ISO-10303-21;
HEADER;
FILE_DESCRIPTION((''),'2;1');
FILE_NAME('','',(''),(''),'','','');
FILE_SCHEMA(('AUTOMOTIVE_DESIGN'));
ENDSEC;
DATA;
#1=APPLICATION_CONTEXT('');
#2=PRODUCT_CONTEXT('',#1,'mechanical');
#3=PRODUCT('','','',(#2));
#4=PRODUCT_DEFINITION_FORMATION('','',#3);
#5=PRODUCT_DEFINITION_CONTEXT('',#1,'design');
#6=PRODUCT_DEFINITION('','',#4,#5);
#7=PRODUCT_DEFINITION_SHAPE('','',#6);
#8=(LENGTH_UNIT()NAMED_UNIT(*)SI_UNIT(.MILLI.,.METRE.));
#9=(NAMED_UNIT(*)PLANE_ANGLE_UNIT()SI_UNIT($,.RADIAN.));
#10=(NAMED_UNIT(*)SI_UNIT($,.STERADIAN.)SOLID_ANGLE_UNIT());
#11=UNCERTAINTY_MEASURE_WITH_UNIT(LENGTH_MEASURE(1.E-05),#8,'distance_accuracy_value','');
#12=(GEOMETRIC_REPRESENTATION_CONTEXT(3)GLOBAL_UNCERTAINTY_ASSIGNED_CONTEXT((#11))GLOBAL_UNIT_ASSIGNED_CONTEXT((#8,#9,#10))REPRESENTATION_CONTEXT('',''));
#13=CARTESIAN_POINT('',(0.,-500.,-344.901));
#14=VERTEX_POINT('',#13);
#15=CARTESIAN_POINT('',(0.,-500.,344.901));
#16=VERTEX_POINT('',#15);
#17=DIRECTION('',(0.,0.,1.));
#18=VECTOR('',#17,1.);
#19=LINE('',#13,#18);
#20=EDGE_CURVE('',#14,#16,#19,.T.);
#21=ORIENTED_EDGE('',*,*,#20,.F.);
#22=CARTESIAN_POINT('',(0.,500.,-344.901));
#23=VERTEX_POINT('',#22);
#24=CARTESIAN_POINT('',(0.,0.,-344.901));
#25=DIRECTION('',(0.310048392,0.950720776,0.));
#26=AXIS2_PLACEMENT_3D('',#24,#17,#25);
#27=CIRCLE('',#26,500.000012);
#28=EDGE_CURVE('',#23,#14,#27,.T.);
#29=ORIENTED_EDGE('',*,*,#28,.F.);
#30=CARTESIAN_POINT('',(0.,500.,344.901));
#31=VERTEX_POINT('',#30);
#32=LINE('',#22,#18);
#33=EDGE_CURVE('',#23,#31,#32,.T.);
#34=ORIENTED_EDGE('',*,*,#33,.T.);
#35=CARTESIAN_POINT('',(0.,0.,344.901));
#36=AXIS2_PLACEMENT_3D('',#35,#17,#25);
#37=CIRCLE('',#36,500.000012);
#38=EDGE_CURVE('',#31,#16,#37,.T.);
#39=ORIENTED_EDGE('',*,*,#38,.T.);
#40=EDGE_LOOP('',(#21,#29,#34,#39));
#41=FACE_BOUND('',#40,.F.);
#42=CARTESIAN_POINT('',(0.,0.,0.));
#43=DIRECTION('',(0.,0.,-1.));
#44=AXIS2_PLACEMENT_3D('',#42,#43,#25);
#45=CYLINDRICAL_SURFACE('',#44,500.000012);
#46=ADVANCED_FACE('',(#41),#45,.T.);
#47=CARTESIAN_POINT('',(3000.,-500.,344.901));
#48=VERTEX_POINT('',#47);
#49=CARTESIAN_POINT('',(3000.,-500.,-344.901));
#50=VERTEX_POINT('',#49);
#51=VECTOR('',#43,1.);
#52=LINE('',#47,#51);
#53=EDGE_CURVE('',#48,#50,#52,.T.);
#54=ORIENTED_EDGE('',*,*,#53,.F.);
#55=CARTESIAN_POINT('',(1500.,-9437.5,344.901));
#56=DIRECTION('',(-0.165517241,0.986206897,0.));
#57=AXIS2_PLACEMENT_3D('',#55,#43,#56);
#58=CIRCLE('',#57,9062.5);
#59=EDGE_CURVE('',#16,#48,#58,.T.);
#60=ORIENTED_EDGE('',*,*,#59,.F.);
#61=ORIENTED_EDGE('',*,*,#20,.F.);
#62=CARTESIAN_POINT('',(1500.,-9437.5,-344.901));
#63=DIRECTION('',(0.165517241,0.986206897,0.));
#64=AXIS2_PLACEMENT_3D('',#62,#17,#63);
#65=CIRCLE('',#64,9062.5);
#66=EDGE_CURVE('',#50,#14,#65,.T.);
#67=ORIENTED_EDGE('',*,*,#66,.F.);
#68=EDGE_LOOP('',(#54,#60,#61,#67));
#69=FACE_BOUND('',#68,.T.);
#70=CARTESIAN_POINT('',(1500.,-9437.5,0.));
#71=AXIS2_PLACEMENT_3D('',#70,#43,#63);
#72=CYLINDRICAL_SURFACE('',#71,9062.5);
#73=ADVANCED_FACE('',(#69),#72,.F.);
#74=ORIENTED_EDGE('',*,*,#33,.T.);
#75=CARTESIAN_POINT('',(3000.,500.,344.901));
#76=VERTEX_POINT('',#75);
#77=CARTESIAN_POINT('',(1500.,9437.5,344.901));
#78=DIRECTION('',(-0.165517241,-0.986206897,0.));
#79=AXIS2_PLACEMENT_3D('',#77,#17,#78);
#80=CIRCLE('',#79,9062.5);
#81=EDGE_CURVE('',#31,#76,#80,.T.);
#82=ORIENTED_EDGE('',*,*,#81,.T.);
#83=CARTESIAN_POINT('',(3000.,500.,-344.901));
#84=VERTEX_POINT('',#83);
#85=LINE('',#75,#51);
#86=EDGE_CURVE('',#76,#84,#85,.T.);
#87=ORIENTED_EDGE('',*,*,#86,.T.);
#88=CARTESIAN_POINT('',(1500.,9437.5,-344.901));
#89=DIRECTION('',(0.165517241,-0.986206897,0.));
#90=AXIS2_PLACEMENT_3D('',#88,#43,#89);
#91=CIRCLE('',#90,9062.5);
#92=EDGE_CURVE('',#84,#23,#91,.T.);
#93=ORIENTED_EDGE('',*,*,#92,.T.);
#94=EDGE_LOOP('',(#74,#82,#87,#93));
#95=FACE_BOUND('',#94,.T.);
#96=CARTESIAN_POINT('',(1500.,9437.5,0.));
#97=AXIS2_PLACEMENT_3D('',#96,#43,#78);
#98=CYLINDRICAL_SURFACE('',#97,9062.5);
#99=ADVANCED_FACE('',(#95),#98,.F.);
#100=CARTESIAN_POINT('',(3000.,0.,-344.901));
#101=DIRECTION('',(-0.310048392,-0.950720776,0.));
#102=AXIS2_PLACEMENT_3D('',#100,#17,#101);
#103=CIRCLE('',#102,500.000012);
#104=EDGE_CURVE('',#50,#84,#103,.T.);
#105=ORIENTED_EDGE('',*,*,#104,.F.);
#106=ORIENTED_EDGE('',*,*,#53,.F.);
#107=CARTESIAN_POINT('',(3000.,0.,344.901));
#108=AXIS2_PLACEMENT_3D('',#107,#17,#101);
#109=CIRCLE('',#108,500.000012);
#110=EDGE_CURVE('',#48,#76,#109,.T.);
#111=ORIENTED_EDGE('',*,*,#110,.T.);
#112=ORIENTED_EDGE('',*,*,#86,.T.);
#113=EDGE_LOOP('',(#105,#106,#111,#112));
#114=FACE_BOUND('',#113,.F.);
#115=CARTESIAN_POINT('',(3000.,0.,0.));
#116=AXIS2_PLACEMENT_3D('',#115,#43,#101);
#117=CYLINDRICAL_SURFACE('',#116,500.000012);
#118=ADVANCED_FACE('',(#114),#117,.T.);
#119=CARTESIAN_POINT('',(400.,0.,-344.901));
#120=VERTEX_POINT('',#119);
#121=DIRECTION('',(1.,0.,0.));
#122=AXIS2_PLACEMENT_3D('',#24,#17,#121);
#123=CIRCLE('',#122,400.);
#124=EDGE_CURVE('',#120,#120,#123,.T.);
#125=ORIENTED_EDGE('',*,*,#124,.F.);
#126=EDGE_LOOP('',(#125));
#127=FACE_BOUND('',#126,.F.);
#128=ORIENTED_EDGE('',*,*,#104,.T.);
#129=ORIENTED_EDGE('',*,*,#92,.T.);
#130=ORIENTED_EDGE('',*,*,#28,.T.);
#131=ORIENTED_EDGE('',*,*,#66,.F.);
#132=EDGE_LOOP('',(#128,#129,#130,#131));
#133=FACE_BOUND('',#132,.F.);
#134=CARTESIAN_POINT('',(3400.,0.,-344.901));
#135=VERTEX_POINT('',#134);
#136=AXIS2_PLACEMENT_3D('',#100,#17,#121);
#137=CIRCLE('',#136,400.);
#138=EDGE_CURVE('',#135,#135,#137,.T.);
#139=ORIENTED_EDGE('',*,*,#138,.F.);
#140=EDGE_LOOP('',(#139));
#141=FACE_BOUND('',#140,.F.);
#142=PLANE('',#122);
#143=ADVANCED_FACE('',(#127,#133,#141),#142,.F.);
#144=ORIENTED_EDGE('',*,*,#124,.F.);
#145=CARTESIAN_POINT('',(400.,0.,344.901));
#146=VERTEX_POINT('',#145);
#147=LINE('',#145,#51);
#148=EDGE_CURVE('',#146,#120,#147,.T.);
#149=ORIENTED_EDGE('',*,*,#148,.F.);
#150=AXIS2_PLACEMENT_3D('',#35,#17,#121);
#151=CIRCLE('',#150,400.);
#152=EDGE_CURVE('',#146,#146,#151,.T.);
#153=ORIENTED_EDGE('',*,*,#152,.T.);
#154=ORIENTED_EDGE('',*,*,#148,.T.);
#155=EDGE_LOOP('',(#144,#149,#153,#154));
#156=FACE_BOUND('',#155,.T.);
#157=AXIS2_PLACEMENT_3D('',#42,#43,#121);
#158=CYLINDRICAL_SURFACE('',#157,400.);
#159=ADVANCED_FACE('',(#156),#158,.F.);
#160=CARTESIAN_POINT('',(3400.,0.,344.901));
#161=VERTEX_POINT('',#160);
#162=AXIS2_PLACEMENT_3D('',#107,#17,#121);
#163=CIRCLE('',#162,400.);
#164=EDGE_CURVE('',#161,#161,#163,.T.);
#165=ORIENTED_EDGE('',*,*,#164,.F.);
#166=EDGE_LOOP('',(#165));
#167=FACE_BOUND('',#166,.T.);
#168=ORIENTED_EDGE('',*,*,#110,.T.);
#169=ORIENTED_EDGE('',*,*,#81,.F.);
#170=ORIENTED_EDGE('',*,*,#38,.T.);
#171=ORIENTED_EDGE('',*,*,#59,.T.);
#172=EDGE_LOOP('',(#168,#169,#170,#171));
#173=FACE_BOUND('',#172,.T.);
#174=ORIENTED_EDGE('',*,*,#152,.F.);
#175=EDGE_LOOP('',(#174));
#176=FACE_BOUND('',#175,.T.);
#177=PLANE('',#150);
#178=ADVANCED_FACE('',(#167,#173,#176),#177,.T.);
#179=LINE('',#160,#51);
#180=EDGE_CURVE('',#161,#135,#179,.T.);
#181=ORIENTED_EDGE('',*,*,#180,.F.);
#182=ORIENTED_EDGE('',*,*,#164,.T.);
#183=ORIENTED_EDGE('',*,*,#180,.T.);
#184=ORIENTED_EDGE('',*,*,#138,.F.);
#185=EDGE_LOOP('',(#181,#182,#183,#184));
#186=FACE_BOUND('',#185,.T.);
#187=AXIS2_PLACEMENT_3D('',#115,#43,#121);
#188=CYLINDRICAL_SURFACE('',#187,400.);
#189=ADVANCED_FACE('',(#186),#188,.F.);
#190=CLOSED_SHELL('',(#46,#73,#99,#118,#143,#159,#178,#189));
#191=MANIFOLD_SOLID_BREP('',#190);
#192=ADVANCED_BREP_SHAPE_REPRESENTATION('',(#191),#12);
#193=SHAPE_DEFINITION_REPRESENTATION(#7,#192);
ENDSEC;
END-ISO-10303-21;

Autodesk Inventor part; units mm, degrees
ref_plane "YZ Plane" through (0, 0, 0) normal (1, 0, 0) x (0, 1, 0)
ref_plane "XZ Plane" through (0, 0, 0) normal (0, 1, 0) x (-1, 0, 0)
ref_plane "XY Plane" through (0, 0, 0) normal (0, 0, 1) x (1, 0, 0)
sketch "Sketch1" plane through (0, 0, 0) normal (0, 0, 1) x (1, 0, 0)
  arc A0 (155.0242, 475.3604) -> (155.0242, -475.3604) centre (0, 0) ccw
  arc A1 (2844.9758, -475.3604) -> (2844.9758, 475.3604) centre (3000, 0) ccw
  arc A2 (0, 500) -> (3000, 500) centre (1500, 9437.5) ccw
  line L0 (0, 0) -> (3000, 0) construction
  arc A3 (3000, -500) -> (0, -500) centre (1500, -9437.5) ccw
  circle A4 centre (0, 0) radius 400
  circle A5 centre (3000, 0) radius 400
  point P0 (0, -500)
  point P1 (3000, -500)
  dimension "d0" = 1000
  dimension "d1" = 1000
  dimension "d2" = 3000
  dimension "d4" = 9062.5
  dimension "d5" = 9437.5
  dimension "d6" = 500
  dimension "d7" = 800
  dimension "d8" = 800
extrude "Extrusion1" add sketch "Sketch1" along normal mid plane 689.802 contours A2 A1 A3 A0
properties part number "04_Ramię-1"
